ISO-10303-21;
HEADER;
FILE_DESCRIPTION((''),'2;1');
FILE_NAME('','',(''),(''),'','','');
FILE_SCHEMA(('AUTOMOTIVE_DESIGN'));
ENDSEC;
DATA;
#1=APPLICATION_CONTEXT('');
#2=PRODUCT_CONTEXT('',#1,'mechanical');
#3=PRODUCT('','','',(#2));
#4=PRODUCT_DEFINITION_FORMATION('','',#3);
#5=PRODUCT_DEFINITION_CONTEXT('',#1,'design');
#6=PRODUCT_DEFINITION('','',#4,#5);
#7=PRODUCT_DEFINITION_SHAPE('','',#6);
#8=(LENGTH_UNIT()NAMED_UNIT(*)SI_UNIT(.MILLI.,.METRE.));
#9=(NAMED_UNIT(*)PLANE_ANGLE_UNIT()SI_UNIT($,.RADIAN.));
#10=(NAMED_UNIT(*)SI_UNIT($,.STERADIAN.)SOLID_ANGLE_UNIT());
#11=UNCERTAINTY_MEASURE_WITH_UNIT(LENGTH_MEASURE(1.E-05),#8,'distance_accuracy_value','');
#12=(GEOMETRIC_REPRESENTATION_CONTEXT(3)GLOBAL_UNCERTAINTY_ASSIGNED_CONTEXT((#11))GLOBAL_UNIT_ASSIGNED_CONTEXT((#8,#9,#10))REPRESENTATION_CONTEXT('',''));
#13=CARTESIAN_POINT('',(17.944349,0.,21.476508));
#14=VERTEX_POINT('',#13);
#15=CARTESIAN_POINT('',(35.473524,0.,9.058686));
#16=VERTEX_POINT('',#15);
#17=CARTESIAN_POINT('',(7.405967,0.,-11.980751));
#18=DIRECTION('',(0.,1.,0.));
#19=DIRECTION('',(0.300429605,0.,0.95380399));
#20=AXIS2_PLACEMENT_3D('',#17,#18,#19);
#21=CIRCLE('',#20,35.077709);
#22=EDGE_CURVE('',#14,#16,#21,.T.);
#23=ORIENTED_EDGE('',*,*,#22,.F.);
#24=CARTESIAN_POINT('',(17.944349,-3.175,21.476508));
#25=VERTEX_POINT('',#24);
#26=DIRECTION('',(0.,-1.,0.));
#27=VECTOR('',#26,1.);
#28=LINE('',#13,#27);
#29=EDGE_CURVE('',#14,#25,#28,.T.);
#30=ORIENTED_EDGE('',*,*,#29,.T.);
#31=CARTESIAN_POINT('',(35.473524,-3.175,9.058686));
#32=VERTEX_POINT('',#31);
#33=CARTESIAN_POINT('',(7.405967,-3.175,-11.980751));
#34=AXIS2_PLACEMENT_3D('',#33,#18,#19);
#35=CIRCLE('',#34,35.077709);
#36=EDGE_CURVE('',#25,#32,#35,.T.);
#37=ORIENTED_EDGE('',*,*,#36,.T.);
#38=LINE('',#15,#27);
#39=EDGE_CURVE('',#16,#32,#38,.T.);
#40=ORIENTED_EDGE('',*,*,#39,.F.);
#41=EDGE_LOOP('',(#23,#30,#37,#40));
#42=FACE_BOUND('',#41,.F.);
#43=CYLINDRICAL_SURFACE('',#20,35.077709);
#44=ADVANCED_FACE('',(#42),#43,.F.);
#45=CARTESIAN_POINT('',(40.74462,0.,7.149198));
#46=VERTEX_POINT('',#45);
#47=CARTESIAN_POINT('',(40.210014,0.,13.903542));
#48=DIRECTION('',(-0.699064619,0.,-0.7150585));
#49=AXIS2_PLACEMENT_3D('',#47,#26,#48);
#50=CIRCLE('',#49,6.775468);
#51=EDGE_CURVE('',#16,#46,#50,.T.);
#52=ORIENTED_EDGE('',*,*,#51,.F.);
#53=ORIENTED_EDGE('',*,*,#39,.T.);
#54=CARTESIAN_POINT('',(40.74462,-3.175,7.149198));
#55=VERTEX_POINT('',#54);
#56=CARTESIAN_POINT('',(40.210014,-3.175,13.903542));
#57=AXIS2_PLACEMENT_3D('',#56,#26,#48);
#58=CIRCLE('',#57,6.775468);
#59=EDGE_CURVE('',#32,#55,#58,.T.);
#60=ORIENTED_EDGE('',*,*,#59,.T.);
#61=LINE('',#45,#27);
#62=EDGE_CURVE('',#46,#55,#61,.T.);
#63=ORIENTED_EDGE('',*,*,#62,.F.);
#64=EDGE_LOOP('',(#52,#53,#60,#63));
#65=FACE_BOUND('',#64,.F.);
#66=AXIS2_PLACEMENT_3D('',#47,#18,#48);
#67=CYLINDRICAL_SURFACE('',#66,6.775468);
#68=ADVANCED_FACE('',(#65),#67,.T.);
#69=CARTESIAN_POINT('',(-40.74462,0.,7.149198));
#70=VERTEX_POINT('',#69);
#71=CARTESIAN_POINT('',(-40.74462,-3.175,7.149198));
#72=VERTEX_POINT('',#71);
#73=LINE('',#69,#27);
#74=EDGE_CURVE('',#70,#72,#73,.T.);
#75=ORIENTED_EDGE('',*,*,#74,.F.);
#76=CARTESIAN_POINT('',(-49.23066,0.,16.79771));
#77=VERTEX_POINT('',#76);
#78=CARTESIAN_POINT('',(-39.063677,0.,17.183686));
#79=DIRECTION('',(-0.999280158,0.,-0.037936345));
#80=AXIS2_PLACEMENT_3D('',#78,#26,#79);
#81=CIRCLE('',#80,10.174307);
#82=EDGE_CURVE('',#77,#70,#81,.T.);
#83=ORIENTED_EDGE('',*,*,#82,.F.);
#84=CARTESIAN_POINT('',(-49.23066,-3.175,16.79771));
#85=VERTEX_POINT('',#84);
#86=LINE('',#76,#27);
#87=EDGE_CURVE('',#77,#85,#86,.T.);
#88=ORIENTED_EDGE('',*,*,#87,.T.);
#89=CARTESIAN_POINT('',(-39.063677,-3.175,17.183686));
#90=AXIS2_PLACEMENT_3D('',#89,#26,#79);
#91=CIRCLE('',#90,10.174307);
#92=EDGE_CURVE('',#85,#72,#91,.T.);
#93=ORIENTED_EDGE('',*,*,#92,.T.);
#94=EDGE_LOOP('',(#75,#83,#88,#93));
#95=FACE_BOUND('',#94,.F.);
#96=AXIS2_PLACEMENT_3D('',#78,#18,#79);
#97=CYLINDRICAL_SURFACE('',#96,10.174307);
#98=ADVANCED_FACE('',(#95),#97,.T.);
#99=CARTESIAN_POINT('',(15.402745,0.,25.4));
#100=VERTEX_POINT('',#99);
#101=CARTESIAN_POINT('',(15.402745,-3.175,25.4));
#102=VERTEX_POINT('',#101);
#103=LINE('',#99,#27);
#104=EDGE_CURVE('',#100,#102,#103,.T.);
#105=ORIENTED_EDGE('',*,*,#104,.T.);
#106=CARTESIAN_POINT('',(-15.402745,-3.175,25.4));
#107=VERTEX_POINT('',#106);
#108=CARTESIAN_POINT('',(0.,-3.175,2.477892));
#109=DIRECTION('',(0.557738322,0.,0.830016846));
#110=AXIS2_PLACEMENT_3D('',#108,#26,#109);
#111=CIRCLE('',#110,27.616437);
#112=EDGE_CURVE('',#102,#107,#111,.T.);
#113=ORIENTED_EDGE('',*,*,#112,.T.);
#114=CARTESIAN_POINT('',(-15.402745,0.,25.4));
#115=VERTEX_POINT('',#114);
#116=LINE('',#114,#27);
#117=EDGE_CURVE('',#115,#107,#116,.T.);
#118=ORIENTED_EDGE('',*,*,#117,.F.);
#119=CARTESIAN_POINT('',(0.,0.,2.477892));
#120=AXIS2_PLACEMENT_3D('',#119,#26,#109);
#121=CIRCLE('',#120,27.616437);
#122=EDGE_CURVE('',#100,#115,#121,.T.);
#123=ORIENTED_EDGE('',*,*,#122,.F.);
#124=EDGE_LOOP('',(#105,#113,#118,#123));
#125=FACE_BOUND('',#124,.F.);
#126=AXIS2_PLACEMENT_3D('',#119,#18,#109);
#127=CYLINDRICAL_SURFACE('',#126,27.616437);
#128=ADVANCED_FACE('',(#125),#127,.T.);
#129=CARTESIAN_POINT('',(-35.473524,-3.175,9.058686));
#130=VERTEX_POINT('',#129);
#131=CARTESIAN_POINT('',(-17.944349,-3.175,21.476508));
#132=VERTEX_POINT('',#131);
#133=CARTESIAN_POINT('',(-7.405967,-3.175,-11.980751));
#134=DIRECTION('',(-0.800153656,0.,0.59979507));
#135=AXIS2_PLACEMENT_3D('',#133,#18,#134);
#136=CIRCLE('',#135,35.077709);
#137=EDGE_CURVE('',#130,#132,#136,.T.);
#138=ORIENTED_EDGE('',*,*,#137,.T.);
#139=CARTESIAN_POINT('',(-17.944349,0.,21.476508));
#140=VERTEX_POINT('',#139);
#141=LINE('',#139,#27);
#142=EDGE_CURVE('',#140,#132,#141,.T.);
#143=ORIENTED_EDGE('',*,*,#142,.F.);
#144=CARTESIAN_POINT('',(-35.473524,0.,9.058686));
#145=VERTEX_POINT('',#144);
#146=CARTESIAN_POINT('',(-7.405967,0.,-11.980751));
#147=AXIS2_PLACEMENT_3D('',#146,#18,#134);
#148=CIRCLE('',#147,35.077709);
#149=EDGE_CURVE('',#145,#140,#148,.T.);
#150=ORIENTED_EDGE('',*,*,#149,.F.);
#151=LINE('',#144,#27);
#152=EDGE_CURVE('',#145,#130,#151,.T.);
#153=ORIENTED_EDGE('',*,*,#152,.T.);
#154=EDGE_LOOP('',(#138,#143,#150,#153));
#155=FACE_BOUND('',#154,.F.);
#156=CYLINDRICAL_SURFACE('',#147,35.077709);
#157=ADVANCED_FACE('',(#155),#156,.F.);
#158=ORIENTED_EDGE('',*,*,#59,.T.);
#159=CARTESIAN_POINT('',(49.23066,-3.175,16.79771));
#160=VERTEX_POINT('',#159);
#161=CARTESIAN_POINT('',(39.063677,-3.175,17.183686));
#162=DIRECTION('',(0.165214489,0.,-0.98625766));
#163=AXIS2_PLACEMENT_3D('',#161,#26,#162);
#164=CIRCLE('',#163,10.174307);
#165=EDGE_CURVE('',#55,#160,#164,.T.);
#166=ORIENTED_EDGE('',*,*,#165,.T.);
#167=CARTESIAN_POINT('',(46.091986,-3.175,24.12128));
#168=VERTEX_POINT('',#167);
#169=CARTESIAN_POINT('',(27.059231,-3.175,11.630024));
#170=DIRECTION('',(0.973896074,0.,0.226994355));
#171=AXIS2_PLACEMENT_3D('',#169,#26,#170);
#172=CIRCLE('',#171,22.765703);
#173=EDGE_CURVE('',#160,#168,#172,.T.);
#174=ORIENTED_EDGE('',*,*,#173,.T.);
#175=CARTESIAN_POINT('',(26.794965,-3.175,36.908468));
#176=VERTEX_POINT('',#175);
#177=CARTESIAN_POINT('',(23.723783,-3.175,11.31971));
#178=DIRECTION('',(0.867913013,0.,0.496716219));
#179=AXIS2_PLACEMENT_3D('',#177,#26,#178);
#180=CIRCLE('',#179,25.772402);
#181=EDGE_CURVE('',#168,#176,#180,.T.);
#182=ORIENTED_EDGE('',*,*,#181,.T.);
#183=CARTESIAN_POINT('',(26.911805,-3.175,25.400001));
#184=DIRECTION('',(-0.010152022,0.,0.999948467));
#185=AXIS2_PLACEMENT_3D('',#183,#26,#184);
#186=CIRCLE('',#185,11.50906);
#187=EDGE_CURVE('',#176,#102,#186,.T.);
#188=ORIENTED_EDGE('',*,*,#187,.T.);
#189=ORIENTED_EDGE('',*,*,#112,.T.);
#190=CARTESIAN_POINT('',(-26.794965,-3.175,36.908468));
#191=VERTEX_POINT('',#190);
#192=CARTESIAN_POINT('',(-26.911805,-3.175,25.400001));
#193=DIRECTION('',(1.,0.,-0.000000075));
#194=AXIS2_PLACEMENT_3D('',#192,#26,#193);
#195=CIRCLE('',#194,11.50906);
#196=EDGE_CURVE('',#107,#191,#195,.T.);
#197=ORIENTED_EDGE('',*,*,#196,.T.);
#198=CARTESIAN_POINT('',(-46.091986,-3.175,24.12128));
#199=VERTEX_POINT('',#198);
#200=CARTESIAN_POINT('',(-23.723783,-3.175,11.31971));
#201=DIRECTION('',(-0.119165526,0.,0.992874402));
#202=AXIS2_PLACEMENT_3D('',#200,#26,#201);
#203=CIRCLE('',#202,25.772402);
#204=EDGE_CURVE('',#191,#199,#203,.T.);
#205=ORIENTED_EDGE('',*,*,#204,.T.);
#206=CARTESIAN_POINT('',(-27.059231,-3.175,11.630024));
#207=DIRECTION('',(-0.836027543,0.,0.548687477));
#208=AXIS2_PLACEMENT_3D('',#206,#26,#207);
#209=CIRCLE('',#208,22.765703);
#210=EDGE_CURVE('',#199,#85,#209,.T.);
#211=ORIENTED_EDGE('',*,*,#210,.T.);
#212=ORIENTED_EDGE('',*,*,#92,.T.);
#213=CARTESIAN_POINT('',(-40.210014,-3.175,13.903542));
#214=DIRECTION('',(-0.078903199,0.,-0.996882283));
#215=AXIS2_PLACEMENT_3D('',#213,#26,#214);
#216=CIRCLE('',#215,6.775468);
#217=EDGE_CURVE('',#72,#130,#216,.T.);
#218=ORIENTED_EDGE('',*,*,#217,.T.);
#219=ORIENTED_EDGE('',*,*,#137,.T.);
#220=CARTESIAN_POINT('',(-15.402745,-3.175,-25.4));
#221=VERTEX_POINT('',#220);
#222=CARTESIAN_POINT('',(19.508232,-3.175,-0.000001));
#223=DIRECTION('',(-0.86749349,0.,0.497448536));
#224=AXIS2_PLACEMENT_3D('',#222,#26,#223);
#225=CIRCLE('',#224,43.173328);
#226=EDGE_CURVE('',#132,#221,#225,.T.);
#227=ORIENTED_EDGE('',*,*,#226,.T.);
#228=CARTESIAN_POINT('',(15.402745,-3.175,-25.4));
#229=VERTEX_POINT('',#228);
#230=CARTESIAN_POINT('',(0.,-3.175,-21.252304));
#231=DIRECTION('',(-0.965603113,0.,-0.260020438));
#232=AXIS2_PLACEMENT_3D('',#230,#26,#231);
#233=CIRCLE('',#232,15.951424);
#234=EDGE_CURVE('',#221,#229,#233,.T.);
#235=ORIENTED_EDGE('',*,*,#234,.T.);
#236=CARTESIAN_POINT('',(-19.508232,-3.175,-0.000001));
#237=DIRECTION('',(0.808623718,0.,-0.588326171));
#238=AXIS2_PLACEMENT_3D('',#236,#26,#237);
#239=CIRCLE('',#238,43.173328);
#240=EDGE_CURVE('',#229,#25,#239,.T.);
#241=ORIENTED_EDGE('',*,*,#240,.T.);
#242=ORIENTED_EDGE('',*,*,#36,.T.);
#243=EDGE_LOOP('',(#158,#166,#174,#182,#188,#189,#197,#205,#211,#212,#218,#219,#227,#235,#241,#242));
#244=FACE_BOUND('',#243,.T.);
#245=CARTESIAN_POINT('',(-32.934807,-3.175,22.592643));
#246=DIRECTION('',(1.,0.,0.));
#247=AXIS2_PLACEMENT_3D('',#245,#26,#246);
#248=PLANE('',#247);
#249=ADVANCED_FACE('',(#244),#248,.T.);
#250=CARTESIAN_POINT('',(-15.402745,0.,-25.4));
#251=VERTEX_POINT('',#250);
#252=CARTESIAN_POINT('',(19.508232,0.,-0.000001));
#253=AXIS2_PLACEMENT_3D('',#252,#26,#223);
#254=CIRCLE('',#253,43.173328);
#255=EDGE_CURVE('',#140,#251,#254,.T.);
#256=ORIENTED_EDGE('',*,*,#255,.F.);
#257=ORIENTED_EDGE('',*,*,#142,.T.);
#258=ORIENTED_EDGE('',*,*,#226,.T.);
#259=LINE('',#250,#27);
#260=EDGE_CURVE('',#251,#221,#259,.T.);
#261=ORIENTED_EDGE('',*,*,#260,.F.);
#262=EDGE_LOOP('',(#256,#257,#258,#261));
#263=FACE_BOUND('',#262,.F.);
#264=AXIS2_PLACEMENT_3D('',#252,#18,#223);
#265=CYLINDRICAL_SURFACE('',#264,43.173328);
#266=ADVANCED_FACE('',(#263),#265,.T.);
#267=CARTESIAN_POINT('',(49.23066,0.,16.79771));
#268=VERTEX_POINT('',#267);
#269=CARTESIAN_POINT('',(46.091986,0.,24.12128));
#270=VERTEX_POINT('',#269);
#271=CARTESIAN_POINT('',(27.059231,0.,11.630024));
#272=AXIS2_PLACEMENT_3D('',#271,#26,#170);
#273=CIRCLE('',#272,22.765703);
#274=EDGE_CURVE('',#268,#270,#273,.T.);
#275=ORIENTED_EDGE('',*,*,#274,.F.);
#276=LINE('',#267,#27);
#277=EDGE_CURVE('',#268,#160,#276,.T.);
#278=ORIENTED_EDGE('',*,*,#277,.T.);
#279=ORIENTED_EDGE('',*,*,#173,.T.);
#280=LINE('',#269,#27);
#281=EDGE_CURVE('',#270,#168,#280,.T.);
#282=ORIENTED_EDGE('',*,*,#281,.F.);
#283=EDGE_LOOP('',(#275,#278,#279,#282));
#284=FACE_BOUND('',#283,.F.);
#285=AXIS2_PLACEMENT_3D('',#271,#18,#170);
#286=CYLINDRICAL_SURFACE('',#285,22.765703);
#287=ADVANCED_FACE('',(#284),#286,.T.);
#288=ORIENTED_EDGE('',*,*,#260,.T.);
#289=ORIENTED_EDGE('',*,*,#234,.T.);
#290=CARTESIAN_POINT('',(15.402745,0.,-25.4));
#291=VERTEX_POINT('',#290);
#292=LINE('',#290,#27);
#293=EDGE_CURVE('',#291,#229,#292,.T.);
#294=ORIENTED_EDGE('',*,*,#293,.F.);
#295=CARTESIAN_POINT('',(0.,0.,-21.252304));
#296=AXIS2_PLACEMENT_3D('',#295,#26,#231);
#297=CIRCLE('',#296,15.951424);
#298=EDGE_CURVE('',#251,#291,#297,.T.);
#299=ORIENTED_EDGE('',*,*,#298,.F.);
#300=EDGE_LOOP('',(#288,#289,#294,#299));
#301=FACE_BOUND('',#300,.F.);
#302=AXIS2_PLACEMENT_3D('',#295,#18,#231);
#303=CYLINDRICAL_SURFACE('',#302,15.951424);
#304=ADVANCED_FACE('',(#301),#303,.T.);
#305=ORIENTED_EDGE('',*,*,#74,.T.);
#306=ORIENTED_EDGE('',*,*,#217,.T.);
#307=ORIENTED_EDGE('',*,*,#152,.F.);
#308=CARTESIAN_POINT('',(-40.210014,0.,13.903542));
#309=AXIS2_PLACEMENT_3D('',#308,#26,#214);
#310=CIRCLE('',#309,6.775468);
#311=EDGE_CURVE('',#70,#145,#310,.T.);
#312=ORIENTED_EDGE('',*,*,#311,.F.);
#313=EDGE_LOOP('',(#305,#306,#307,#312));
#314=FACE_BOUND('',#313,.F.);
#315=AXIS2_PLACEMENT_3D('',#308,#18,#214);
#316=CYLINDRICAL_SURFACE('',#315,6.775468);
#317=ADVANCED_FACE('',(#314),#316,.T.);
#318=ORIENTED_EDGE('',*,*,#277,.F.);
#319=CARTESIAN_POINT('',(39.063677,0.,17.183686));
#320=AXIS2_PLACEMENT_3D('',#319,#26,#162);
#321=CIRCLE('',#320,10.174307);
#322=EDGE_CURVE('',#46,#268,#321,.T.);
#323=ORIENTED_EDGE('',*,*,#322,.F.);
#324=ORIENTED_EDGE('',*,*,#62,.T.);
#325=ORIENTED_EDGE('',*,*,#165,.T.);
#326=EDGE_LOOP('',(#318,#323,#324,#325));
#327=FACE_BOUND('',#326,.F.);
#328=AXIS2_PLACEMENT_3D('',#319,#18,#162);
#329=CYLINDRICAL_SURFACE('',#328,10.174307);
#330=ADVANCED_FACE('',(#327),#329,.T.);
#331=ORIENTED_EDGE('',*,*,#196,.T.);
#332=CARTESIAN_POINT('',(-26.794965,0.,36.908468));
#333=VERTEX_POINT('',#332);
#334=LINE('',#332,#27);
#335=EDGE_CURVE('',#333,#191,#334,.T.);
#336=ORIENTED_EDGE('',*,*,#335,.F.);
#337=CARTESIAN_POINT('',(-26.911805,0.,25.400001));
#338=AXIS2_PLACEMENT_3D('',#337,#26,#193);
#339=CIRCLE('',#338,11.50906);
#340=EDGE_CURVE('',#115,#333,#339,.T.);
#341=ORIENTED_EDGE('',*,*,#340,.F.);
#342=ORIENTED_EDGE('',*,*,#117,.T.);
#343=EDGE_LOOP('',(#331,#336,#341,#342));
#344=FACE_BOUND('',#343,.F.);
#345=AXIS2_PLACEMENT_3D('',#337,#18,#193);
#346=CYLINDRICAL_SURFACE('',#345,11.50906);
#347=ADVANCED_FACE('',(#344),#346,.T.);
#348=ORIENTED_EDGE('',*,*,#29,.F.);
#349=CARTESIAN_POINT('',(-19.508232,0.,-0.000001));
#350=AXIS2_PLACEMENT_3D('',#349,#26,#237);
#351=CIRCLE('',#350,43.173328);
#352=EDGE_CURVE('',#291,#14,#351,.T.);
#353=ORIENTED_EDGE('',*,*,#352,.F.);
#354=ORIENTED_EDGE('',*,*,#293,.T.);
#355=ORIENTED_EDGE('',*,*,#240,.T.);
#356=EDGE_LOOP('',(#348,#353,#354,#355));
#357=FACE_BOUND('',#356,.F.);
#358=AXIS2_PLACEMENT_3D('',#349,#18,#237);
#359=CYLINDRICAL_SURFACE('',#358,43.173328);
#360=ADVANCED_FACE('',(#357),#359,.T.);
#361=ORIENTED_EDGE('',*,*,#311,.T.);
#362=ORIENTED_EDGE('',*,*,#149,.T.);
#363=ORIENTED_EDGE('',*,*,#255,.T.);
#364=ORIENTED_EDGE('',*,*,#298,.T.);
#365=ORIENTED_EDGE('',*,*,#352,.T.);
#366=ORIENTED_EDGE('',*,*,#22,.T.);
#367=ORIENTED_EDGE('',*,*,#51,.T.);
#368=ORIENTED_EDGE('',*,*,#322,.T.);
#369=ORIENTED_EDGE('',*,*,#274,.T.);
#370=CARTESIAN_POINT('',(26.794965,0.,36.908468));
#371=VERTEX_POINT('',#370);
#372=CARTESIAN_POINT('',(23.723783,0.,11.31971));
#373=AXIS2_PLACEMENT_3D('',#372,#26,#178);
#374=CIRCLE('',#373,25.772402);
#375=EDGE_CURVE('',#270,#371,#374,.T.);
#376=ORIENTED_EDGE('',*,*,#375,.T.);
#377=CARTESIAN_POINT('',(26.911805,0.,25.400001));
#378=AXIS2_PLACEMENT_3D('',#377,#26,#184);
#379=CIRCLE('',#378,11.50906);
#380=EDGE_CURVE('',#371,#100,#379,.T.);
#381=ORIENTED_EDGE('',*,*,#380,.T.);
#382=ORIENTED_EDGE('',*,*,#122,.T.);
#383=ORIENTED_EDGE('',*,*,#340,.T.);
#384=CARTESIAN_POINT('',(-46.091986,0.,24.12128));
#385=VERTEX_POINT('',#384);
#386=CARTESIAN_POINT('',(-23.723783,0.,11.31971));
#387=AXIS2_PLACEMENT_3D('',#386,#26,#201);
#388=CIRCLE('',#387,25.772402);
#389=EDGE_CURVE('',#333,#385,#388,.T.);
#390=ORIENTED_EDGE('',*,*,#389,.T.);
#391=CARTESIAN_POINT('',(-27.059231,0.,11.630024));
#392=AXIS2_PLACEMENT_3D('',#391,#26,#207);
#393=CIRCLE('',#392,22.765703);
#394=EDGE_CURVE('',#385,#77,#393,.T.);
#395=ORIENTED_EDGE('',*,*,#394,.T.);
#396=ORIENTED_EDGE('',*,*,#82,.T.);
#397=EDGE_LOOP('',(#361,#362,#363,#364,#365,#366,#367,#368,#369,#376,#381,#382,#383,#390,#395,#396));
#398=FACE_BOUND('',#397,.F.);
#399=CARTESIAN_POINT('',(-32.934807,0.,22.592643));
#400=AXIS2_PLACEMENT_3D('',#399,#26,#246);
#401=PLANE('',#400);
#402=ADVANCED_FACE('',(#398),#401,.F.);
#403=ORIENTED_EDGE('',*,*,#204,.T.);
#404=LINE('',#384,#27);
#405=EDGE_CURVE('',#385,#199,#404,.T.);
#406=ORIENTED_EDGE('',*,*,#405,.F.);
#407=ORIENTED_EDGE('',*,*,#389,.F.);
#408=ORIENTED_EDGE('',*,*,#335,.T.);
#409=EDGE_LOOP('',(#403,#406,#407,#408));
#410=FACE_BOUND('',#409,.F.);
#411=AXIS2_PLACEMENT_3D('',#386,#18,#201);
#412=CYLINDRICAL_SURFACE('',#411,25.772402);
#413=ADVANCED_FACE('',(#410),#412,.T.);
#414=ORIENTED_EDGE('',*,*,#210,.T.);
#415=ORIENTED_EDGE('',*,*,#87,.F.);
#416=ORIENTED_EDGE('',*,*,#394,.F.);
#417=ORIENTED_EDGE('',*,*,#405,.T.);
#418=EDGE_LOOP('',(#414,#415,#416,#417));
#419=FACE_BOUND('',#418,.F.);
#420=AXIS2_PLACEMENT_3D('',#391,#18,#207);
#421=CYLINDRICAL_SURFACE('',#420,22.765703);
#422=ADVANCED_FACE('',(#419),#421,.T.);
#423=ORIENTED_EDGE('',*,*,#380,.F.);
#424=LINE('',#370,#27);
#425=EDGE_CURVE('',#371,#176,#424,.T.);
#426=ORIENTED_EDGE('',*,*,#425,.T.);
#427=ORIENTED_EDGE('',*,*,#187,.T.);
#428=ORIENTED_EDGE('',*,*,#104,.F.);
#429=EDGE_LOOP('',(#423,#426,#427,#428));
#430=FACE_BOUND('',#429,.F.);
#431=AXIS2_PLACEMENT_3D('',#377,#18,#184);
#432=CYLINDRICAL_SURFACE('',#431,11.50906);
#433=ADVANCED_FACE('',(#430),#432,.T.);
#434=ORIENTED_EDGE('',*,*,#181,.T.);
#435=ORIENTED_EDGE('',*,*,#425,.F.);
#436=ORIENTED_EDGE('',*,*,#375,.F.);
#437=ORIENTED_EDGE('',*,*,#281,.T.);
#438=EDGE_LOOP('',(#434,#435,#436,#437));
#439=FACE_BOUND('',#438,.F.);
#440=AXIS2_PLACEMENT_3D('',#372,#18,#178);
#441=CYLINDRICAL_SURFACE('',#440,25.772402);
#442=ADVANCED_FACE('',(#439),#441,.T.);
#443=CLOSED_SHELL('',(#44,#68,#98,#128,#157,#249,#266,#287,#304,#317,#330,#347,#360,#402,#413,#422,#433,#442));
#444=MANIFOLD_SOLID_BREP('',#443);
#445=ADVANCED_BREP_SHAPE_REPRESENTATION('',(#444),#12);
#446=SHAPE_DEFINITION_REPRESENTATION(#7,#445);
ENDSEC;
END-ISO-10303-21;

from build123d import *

# Parameters (mm, degrees)
F0_W     = 30.80549
F0_H     = 50.8
F1_DEPTH = 3.175


with BuildPart() as f1:
    # F0 (on Front) → F1 (new body)
    with BuildSketch(Plane.XZ):
        with BuildLine():
            ThreePointArc((-17.944349, 21.476508), (-16.72669, 23.47268), (-15.402745, 25.4))
            ThreePointArc((-15.402745, 25.4), (-18.732465, 33.49672), (-26.794965, 36.908468))
            ThreePointArc((-26.794965, 36.908468), (-37.959956, 32.80338), (-46.091986, 24.12128))
            ThreePointArc((-46.091986, 24.12128), (-47.984213, 20.597876), (-49.23066, 16.79771))
            ThreePointArc((-49.23066, 16.79771), (-46.703493, 10.464331), (-40.74462, 7.149198))
            ThreePointArc((-40.74462, 7.149198), (-37.902311, 7.533183), (-35.473524, 9.058686))
            ThreePointArc((-35.473524, 9.058686), (-27.68293, 16.642499), (-17.944349, 21.476508))
        make_face()
        with BuildLine():
            ThreePointArc((-17.944349, 21.476508), (-23.601777, -2.337389), (-15.402745, -25.4))
            Line((-15.402745, -25.4), (-15.402745, 25.4))
            ThreePointArc((-15.402745, 25.4), (-16.72669, 23.47268), (-17.944349, 21.476508))
        make_face()
        Rectangle(F0_W, F0_H)
        with BuildLine():
            Line((-15.402745, 25.4), (15.402745, 25.4))
            ThreePointArc((15.402745, 25.4), (0, 30.094329), (-15.402745, 25.4))
        make_face()
        with BuildLine():
            Line((15.402745, 25.4), (15.402745, -25.4))
            ThreePointArc((15.402745, -25.4), (23.601777, -2.337389), (17.944349, 21.476508))
            ThreePointArc((17.944349, 21.476508), (16.72669, 23.47268), (15.402745, 25.4))
        make_face()
        with BuildLine():
            ThreePointArc((-15.402745, -25.4), (0, -37.203728), (15.402745, -25.4))
            Line((15.402745, -25.4), (-15.402745, -25.4))
        make_face()
        with BuildLine():
            ThreePointArc((26.794965, 36.908468), (18.732465, 33.49672), (15.402745, 25.4))
            ThreePointArc((15.402745, 25.4), (16.72669, 23.47268), (17.944349, 21.476508))
            ThreePointArc((17.944349, 21.476508), (27.68293, 16.642499), (35.473524, 9.058686))
            ThreePointArc((35.473524, 9.058686), (37.902311, 7.533183), (40.74462, 7.149198))
            ThreePointArc((40.74462, 7.149198), (46.703493, 10.464331), (49.23066, 16.79771))
            ThreePointArc((49.23066, 16.79771), (47.984213, 20.597876), (46.091986, 24.12128))
            ThreePointArc((46.091986, 24.12128), (37.959956, 32.80338), (26.794965, 36.908468))
        make_face()
    extrude(amount=F1_DEPTH)


solid = f1.part
